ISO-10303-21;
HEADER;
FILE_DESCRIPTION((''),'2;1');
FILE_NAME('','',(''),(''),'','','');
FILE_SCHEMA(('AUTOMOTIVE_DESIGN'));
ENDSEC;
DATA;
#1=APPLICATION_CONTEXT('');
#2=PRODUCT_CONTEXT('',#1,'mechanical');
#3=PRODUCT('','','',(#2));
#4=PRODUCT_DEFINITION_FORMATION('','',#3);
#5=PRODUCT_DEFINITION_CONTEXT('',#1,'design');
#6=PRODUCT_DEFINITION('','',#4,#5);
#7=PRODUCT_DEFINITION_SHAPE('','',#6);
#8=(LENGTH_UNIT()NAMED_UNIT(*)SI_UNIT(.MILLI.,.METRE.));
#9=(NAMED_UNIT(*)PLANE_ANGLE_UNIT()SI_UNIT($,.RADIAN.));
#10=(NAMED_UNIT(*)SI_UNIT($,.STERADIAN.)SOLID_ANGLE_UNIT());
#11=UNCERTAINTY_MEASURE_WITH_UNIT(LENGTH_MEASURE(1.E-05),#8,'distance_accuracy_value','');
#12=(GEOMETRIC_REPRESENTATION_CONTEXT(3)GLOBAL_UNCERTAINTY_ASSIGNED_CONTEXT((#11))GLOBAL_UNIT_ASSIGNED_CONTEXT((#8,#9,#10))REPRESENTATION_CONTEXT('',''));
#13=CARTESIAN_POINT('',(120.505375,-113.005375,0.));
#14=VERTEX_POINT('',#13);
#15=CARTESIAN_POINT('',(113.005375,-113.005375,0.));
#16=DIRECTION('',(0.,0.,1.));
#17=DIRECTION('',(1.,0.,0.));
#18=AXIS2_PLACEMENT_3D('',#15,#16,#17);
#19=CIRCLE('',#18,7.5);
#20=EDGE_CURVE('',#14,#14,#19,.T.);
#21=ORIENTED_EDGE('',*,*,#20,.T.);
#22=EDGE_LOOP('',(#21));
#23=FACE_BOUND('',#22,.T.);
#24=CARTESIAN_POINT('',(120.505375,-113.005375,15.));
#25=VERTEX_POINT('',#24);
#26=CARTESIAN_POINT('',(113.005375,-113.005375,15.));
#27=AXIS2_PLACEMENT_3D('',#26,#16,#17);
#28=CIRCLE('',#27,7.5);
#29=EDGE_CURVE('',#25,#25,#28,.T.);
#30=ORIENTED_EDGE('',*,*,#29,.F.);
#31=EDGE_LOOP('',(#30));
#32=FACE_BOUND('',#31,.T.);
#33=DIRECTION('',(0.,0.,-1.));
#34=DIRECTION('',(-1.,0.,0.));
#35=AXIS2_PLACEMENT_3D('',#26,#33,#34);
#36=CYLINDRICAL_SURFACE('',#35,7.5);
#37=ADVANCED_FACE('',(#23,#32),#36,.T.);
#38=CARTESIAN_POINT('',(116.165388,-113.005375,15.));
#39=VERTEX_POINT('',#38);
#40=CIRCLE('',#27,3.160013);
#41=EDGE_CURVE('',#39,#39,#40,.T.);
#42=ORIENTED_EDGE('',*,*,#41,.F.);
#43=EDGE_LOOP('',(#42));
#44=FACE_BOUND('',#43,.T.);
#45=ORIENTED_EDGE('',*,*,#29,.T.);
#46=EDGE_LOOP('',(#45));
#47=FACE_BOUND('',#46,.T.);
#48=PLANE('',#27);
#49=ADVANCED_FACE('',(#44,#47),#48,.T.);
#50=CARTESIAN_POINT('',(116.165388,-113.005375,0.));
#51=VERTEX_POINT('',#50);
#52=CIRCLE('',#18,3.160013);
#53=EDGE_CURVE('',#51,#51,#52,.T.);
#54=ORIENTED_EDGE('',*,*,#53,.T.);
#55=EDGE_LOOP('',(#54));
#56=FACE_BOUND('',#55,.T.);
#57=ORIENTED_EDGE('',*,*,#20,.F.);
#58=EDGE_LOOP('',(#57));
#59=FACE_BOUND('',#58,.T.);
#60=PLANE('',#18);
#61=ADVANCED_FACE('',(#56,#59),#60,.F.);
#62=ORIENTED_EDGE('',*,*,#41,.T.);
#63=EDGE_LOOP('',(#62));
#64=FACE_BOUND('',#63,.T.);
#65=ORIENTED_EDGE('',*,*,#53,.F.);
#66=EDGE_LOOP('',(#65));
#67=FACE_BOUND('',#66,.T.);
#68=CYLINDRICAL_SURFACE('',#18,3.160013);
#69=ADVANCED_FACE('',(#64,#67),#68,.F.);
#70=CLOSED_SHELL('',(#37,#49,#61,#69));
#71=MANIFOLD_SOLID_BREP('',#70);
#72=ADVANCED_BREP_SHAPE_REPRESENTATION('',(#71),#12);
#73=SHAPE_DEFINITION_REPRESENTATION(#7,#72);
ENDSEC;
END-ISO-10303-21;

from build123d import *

# Parameters (mm, degrees)
SKETCH1_R           = 7.5
BOSS_EXTRUDE1_DEPTH = 15
SKETCH2_R           = 3.160012866
CUT_EXTRUDE1_DEPTH  = 15


with BuildPart() as part:
    # Sketch1 → Boss-Extrude1 (new body)
    with BuildSketch(Plane.XY):
        with Locations((113.00537488, -113.00537488)):
            Circle(SKETCH1_R)
    extrude(amount=BOSS_EXTRUDE1_DEPTH)

    # Sketch2 → Cut-Extrude1 (cut)
    with BuildSketch(Plane.XY.offset(15)):
        with Locations((113.00537488, -113.00537488)):
            Circle(SKETCH2_R)
    extrude(amount=-CUT_EXTRUDE1_DEPTH, mode=Mode.SUBTRACT)


solid = part.part
